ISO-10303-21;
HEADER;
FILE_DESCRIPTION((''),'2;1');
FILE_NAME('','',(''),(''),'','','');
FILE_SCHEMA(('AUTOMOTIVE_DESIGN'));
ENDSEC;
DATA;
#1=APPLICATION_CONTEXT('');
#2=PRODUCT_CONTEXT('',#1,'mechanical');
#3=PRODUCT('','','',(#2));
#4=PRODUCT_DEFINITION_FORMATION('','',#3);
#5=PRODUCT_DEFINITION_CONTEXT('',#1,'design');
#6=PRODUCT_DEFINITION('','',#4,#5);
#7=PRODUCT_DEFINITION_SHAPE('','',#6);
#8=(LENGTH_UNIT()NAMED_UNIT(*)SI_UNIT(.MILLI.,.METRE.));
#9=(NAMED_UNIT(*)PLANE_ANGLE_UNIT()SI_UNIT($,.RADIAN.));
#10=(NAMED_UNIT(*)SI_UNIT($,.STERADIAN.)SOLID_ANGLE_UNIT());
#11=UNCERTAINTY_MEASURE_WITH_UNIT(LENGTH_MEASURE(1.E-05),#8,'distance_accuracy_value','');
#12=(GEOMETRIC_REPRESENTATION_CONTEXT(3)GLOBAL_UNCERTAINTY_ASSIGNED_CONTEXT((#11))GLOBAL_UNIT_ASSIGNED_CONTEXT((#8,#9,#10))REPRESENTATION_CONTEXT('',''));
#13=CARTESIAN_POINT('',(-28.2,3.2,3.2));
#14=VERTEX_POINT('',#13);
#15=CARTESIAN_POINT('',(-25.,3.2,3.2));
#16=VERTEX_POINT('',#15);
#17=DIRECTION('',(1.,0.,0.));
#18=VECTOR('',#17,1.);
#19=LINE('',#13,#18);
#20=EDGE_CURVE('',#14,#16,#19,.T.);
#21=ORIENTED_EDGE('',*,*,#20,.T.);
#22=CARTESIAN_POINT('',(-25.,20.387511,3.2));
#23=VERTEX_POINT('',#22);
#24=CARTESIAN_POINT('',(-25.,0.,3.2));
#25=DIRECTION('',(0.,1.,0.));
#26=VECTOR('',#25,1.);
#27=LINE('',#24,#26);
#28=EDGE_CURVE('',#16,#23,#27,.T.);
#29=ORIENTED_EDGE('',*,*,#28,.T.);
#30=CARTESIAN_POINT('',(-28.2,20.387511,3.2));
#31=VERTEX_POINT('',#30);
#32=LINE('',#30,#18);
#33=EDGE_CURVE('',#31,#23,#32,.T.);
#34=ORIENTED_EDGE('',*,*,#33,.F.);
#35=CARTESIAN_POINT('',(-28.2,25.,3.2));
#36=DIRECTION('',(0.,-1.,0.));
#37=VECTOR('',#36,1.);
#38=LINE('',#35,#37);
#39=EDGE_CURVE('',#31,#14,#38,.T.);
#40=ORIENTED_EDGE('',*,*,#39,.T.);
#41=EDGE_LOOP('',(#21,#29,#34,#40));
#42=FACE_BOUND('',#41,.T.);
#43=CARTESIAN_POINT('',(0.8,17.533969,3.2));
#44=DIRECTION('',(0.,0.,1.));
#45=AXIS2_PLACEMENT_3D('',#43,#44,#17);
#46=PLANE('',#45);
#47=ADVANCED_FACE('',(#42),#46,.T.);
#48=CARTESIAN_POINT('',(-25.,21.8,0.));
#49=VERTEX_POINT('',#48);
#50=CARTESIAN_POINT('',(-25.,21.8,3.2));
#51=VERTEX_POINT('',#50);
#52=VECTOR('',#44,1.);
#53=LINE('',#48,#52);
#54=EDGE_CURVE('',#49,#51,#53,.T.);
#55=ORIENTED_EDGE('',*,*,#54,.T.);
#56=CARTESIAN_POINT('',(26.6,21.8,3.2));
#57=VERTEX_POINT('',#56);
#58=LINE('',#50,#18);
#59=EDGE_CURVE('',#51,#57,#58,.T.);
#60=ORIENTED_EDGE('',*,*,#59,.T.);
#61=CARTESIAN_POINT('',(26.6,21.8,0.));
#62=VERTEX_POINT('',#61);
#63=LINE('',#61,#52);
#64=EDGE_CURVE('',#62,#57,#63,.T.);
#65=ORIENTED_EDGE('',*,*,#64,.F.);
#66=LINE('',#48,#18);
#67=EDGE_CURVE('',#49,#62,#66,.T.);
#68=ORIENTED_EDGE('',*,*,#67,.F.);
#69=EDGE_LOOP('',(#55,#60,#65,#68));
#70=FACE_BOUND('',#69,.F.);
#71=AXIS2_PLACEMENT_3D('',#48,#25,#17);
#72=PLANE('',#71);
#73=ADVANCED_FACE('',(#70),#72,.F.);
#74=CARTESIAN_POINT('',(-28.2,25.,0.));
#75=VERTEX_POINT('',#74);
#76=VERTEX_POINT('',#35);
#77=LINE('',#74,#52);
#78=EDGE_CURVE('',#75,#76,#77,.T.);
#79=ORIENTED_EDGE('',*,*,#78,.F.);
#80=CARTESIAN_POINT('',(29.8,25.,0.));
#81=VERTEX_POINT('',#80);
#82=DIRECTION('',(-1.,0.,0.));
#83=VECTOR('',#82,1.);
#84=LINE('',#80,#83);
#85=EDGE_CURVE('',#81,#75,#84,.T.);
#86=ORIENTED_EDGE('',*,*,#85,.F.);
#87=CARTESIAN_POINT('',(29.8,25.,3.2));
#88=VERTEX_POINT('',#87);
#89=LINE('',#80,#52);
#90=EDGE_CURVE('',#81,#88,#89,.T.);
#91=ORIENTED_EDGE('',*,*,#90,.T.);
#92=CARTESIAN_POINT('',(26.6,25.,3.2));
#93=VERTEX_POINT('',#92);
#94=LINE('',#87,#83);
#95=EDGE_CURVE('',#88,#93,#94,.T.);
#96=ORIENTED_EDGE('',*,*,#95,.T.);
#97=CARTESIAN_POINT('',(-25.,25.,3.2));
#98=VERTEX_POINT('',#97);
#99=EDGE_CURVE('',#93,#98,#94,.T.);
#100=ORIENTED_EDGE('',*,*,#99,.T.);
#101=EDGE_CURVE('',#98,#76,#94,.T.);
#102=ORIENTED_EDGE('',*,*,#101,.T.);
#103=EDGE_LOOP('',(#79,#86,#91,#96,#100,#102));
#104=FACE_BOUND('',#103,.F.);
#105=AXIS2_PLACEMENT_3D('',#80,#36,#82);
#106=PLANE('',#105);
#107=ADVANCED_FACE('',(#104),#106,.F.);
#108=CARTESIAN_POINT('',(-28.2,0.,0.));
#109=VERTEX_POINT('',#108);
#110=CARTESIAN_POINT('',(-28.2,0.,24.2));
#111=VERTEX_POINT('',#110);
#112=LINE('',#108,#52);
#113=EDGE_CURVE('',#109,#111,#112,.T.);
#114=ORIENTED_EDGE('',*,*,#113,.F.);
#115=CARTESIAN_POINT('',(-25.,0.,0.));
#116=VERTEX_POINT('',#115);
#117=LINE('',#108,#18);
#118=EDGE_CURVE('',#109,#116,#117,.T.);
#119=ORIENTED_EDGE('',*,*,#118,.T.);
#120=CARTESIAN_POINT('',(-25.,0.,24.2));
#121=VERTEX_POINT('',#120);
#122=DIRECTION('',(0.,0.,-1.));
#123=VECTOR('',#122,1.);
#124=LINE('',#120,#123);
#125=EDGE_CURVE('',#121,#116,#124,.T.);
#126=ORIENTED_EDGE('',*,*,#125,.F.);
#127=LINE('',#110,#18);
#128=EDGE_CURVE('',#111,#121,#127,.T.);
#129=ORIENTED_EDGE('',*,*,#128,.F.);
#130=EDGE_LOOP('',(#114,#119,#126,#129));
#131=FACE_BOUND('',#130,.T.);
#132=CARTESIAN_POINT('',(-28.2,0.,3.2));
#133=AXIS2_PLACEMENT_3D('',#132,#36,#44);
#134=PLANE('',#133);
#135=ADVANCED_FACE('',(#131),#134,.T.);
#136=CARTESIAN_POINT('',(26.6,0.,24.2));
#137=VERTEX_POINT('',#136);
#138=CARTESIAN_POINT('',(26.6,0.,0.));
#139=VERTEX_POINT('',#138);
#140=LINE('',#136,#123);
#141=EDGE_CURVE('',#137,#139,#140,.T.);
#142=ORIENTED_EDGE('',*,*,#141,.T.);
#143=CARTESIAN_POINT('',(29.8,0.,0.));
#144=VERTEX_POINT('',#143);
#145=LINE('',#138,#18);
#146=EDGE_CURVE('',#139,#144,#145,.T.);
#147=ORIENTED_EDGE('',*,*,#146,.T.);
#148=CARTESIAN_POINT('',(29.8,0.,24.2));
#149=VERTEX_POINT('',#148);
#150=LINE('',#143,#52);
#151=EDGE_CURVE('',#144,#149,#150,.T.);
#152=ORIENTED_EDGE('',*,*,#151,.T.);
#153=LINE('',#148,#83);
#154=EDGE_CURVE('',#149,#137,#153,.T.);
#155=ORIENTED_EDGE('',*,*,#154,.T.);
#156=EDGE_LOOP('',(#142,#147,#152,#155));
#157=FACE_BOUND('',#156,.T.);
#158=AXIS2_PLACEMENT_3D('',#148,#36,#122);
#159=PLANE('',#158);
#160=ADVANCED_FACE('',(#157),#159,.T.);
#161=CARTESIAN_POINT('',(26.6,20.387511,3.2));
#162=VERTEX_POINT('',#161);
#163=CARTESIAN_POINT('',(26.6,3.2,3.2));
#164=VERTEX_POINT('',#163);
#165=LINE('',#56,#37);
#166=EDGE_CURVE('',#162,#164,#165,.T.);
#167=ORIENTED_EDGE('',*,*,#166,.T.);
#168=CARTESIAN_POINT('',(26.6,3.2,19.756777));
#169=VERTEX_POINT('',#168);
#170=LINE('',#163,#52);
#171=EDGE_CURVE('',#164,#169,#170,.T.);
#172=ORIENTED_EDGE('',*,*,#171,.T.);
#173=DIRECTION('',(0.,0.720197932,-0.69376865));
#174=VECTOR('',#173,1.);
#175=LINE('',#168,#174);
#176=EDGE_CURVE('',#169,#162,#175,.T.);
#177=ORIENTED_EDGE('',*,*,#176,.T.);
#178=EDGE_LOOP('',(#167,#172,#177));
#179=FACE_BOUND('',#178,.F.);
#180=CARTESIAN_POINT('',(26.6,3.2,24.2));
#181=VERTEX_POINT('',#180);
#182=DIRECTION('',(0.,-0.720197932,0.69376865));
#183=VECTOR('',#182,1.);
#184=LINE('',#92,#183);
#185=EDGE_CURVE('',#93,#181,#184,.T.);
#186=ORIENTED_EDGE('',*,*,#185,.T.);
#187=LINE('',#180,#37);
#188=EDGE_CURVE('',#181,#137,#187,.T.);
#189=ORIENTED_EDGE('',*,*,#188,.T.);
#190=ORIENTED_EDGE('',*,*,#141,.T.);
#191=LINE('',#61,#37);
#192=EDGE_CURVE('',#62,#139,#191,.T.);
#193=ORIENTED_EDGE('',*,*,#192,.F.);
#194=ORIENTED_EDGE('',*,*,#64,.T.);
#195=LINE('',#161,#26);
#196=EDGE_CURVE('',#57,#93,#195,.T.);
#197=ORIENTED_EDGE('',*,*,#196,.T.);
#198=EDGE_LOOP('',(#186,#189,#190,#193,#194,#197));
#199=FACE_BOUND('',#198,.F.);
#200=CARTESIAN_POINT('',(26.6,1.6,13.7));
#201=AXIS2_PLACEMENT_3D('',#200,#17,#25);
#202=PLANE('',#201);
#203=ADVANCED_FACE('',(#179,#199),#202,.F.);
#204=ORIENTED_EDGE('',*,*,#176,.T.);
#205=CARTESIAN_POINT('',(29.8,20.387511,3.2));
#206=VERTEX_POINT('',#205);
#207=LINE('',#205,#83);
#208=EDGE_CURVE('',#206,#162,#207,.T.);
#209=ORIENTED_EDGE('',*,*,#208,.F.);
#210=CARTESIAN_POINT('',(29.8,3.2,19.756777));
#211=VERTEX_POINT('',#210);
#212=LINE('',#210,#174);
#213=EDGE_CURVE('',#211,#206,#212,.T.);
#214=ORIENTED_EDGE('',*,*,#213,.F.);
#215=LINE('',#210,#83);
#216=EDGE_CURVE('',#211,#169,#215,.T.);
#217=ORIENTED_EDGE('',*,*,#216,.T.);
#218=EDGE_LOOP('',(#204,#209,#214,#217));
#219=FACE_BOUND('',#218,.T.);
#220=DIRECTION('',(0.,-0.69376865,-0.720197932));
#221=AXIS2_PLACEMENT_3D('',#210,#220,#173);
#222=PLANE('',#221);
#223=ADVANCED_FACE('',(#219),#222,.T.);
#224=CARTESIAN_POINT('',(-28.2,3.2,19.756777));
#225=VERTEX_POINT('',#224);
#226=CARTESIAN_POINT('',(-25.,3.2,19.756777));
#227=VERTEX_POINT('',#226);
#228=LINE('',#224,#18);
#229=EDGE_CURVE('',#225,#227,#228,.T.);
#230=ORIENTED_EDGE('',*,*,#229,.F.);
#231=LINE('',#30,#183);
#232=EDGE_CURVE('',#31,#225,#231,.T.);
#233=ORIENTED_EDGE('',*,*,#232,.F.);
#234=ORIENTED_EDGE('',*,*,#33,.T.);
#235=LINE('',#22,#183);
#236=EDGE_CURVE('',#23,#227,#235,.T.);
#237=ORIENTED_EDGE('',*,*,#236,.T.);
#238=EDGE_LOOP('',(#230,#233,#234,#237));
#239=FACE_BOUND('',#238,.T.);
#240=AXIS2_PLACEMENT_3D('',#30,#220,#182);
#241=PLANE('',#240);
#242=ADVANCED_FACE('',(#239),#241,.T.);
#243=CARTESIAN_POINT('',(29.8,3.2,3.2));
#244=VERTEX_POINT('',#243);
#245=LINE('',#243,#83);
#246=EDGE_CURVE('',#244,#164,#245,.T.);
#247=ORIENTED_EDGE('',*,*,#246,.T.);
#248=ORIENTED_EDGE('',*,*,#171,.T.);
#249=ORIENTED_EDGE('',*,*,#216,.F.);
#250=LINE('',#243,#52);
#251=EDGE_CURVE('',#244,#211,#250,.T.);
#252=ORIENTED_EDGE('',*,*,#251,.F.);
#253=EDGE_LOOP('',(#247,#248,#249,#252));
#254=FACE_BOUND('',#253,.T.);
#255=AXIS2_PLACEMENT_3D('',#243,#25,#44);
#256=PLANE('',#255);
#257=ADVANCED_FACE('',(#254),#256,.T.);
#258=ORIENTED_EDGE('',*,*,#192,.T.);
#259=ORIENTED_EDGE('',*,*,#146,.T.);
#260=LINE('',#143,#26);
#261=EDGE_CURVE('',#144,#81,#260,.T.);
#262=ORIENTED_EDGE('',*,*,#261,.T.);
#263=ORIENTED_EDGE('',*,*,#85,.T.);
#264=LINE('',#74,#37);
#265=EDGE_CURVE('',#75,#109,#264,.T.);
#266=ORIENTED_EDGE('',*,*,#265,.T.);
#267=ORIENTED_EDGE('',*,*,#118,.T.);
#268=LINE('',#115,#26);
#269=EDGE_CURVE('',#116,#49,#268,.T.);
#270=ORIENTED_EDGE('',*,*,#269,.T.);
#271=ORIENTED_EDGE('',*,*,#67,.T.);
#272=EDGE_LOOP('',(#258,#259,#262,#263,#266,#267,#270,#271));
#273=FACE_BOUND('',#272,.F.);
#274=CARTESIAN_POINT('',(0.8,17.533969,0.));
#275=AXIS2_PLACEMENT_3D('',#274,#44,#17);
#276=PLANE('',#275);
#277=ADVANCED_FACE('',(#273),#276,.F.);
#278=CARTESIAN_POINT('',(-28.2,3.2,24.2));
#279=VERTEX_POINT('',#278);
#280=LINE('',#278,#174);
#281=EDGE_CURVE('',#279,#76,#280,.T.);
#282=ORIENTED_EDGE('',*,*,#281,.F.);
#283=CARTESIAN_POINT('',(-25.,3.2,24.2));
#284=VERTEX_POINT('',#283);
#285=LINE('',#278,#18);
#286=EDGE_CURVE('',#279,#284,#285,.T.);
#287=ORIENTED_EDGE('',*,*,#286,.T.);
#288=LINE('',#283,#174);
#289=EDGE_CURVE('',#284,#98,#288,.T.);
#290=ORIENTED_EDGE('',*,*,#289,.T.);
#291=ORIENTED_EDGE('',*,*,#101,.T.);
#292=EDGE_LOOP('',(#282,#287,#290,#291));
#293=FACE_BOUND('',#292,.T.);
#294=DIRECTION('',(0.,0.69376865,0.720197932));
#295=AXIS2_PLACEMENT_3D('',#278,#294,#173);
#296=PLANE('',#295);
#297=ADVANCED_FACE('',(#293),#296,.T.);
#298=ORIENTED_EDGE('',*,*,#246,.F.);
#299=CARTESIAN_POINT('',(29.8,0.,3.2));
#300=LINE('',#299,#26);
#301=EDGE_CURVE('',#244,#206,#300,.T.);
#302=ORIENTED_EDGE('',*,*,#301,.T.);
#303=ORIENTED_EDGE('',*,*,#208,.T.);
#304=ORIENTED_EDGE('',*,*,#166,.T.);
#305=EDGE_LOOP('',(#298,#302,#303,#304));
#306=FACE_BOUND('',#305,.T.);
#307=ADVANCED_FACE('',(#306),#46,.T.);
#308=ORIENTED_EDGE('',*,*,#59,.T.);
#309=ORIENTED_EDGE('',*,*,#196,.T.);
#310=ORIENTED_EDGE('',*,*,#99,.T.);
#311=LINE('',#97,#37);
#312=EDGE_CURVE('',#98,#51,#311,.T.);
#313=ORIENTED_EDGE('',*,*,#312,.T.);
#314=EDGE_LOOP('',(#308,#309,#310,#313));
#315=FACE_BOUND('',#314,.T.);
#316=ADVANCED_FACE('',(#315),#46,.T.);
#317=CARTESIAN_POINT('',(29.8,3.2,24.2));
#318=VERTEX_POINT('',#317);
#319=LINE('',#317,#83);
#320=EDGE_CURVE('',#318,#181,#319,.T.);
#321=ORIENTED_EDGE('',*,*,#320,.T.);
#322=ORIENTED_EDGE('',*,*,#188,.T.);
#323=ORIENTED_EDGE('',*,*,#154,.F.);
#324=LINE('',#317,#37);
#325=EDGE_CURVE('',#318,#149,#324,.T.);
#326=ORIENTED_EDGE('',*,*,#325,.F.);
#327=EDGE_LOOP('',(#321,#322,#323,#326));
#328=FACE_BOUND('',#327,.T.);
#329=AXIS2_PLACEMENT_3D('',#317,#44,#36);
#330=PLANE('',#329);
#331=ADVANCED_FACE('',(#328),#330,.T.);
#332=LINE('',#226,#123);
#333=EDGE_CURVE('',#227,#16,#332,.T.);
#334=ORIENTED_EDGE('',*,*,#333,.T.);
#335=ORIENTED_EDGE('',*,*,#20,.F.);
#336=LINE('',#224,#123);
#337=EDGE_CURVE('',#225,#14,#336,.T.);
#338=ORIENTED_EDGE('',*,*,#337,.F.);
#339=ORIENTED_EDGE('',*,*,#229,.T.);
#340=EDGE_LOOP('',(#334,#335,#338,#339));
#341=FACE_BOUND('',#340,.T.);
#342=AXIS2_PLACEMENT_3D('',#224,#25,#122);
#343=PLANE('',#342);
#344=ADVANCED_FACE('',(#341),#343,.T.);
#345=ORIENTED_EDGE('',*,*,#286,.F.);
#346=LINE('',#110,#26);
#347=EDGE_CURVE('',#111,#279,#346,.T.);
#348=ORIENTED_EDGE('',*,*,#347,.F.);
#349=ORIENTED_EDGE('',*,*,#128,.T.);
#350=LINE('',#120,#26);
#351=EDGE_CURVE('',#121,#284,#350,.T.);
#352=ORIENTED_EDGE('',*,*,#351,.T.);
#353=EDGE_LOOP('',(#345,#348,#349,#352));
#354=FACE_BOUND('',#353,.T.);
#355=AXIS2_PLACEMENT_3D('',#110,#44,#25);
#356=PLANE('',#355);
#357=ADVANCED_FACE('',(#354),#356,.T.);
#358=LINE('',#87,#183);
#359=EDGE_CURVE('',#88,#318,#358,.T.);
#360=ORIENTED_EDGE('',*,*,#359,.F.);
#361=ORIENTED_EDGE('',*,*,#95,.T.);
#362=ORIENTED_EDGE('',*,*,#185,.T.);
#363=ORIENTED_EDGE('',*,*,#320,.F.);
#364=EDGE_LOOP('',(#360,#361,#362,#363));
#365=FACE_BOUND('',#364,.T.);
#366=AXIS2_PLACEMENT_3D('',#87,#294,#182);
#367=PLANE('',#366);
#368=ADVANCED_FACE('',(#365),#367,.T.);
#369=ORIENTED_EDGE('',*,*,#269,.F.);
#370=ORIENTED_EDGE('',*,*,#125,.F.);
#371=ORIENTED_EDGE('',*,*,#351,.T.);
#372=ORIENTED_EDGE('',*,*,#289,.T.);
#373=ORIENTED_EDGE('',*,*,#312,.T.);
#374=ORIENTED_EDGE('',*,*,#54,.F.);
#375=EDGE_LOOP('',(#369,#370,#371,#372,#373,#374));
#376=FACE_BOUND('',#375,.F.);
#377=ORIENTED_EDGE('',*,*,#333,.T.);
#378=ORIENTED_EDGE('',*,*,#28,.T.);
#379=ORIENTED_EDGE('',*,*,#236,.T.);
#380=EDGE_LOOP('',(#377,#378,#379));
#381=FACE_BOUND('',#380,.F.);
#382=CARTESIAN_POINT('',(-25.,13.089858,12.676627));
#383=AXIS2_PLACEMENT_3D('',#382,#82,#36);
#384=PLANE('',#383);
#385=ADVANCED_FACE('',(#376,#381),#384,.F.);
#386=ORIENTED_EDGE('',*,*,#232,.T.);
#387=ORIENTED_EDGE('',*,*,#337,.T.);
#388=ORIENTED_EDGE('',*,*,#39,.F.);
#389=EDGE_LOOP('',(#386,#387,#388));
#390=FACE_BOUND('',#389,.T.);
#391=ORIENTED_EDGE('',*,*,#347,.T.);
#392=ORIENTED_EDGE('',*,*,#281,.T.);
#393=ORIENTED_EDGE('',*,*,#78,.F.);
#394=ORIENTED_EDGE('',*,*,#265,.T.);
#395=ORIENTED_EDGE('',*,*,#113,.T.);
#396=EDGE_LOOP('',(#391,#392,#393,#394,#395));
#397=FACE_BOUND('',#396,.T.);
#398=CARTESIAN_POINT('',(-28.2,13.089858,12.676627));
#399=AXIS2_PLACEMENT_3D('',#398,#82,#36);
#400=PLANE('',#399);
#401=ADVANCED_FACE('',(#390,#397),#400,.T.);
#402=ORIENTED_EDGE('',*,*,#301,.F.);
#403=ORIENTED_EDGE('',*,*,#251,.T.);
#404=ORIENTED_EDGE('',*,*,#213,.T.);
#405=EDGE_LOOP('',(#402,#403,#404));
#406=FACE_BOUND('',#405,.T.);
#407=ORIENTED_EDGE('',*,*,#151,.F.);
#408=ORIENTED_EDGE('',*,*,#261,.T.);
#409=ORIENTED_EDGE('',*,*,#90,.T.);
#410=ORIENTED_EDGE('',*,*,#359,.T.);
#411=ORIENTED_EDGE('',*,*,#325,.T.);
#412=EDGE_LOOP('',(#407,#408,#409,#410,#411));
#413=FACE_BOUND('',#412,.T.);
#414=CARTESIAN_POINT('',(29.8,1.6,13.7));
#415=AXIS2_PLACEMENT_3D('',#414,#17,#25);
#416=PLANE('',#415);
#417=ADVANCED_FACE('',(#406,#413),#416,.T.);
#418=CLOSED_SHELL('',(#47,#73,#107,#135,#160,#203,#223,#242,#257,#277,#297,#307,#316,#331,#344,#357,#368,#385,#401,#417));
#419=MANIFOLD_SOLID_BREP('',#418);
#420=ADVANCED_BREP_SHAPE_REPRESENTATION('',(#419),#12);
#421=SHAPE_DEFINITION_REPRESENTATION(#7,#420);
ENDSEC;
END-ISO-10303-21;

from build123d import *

# Parameters (mm, degrees)
F1_DEPTH = 3.2
F3_DEPTH = 3.2
F5_DEPTH = 3.2


with BuildPart() as f1:
    # F0 (on Top) → F1 (new body)
    with BuildSketch(Plane.XY):
        Polygon((29.8, 25), (-28.2, 25), (-28.2, 0), (-25, 0), (-25, 21.8), (26.6, 21.8), (26.6, 0), (29.8, 0), align=None)
    extrude(amount=F1_DEPTH)

    # F2 (on face) → F3 (join)
    with BuildSketch(Plane.YZ.offset(29.8)):
        Polygon((0, 24.2), (0, 3.2), (3.2, 3.2), (3.2, 19.7567770198), (3.2, 24.2), align=None)
        Polygon((3.2, 24.2), (3.2, 19.7567770198), (20.3875113824, 3.2), (25, 3.2), align=None)
    extrude(amount=-F3_DEPTH)

    # F4 (on face) → F5 (join)
    with BuildSketch(Plane(origin=(-28.2, 0, 0), x_dir=(0, -1, 0), z_dir=(-1, 0, 0))):
        Polygon((-20.3875113824, 3.2), (-3.2, 19.7567770198), (-3.2, 24.2), (-25, 3.2), align=None)
        Polygon((-3.2, 3.2), (0, 3.2), (0, 24.2), (-3.2, 24.2), (-3.2, 19.7567770198), align=None)
    extrude(amount=-F5_DEPTH)


solid = f1.part
